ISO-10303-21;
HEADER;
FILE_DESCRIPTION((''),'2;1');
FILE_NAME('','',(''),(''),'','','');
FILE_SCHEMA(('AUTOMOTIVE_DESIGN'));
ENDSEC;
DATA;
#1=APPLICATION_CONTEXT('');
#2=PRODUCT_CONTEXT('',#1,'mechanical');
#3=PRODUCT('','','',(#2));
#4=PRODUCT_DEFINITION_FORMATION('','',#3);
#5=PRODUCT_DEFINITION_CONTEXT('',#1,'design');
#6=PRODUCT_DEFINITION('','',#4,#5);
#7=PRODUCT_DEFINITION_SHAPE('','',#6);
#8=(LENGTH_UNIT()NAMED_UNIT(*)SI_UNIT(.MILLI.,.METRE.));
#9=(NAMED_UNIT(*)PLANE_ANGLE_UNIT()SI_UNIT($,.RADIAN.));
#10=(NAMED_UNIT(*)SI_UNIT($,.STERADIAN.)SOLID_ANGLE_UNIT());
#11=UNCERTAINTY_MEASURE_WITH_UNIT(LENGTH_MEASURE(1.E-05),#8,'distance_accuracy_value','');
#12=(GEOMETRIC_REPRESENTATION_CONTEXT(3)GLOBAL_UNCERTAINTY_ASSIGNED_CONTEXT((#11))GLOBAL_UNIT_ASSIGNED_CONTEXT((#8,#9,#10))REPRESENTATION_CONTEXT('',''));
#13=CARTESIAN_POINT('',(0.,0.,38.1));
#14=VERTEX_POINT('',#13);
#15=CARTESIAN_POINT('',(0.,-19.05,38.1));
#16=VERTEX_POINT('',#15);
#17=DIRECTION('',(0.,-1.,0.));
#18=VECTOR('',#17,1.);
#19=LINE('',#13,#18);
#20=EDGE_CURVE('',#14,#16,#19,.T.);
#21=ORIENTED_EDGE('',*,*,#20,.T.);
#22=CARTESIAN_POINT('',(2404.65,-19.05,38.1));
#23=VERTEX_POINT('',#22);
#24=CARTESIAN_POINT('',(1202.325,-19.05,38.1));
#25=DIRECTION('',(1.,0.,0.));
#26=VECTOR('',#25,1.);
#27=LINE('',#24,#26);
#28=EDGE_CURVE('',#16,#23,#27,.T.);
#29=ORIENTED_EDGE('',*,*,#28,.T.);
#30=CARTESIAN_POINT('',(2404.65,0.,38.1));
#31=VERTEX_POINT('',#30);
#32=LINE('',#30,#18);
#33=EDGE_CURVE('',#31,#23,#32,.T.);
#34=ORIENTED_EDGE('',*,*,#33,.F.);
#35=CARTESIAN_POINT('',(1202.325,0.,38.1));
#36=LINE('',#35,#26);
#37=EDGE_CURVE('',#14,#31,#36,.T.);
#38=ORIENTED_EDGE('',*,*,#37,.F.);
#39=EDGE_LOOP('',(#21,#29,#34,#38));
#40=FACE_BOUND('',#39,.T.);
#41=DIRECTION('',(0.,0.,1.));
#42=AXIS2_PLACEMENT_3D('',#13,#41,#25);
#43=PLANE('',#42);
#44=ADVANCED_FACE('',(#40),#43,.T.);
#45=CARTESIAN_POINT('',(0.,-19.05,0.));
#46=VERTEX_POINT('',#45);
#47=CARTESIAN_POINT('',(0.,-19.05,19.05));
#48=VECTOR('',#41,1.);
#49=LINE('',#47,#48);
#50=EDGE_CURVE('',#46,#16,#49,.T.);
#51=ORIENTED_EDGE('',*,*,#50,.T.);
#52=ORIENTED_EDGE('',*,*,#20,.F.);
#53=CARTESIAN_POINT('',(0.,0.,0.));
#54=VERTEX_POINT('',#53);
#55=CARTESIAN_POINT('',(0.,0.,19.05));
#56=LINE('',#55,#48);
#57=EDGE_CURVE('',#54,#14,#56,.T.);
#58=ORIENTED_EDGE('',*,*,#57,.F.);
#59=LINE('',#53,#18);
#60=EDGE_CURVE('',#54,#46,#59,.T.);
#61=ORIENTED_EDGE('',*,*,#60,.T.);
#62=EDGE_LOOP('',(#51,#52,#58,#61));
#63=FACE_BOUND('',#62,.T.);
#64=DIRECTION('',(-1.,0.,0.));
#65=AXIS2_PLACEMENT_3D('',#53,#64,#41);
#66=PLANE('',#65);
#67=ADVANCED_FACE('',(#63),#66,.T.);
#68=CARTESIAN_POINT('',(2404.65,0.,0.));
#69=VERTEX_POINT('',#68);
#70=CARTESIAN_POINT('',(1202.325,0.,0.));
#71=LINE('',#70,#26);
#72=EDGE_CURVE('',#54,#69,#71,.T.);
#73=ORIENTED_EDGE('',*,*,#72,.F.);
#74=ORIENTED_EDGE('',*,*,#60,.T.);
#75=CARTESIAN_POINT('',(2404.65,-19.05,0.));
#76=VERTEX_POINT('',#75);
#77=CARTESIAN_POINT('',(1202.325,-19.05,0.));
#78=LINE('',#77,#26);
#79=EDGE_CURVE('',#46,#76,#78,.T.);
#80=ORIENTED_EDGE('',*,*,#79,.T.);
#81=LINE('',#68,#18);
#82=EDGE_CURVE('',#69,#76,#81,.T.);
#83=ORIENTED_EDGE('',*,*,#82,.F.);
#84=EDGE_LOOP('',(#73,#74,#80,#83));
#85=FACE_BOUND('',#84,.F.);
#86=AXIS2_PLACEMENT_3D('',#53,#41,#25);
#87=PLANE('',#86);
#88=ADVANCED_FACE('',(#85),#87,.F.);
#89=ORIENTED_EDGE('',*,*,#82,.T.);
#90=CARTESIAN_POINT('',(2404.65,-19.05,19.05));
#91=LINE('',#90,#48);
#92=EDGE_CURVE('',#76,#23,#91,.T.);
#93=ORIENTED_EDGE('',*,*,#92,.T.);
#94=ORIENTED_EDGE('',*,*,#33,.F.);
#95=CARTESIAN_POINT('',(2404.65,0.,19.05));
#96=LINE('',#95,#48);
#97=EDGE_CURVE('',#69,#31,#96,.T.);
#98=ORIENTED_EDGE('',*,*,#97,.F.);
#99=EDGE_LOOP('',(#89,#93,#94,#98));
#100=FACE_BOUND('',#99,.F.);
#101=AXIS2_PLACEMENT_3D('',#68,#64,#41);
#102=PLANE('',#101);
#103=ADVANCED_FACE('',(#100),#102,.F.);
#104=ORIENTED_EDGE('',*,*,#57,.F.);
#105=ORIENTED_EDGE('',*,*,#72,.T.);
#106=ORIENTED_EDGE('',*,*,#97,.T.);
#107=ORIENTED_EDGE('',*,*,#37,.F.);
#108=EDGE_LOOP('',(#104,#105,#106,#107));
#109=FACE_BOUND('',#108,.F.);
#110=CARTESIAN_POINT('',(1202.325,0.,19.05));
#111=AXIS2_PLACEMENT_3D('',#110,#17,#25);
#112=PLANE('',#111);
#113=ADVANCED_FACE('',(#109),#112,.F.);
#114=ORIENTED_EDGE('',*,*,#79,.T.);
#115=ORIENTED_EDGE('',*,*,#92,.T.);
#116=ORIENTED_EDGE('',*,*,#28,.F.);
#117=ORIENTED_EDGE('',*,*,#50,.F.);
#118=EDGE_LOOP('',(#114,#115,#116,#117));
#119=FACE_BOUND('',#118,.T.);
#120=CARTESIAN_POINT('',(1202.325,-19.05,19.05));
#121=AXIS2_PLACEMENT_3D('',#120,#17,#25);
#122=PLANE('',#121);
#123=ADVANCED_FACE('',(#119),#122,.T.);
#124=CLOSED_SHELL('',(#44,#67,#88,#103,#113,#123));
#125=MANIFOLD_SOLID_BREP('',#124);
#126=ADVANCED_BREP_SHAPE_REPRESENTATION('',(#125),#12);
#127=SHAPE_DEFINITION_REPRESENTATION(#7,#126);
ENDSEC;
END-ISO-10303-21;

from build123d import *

# Parameters (mm, degrees)
SKETCH_W  = 2404.65
SKETCH_H  = 38.1
PAD_DEPTH = 19.05


with BuildPart() as part:
    # Sketch → Pad (new body)
    with BuildSketch(Plane.XZ):
        with Locations((1202.325, 19.05)):
            Rectangle(SKETCH_W, SKETCH_H)
    extrude(amount=PAD_DEPTH)


solid = part.part
